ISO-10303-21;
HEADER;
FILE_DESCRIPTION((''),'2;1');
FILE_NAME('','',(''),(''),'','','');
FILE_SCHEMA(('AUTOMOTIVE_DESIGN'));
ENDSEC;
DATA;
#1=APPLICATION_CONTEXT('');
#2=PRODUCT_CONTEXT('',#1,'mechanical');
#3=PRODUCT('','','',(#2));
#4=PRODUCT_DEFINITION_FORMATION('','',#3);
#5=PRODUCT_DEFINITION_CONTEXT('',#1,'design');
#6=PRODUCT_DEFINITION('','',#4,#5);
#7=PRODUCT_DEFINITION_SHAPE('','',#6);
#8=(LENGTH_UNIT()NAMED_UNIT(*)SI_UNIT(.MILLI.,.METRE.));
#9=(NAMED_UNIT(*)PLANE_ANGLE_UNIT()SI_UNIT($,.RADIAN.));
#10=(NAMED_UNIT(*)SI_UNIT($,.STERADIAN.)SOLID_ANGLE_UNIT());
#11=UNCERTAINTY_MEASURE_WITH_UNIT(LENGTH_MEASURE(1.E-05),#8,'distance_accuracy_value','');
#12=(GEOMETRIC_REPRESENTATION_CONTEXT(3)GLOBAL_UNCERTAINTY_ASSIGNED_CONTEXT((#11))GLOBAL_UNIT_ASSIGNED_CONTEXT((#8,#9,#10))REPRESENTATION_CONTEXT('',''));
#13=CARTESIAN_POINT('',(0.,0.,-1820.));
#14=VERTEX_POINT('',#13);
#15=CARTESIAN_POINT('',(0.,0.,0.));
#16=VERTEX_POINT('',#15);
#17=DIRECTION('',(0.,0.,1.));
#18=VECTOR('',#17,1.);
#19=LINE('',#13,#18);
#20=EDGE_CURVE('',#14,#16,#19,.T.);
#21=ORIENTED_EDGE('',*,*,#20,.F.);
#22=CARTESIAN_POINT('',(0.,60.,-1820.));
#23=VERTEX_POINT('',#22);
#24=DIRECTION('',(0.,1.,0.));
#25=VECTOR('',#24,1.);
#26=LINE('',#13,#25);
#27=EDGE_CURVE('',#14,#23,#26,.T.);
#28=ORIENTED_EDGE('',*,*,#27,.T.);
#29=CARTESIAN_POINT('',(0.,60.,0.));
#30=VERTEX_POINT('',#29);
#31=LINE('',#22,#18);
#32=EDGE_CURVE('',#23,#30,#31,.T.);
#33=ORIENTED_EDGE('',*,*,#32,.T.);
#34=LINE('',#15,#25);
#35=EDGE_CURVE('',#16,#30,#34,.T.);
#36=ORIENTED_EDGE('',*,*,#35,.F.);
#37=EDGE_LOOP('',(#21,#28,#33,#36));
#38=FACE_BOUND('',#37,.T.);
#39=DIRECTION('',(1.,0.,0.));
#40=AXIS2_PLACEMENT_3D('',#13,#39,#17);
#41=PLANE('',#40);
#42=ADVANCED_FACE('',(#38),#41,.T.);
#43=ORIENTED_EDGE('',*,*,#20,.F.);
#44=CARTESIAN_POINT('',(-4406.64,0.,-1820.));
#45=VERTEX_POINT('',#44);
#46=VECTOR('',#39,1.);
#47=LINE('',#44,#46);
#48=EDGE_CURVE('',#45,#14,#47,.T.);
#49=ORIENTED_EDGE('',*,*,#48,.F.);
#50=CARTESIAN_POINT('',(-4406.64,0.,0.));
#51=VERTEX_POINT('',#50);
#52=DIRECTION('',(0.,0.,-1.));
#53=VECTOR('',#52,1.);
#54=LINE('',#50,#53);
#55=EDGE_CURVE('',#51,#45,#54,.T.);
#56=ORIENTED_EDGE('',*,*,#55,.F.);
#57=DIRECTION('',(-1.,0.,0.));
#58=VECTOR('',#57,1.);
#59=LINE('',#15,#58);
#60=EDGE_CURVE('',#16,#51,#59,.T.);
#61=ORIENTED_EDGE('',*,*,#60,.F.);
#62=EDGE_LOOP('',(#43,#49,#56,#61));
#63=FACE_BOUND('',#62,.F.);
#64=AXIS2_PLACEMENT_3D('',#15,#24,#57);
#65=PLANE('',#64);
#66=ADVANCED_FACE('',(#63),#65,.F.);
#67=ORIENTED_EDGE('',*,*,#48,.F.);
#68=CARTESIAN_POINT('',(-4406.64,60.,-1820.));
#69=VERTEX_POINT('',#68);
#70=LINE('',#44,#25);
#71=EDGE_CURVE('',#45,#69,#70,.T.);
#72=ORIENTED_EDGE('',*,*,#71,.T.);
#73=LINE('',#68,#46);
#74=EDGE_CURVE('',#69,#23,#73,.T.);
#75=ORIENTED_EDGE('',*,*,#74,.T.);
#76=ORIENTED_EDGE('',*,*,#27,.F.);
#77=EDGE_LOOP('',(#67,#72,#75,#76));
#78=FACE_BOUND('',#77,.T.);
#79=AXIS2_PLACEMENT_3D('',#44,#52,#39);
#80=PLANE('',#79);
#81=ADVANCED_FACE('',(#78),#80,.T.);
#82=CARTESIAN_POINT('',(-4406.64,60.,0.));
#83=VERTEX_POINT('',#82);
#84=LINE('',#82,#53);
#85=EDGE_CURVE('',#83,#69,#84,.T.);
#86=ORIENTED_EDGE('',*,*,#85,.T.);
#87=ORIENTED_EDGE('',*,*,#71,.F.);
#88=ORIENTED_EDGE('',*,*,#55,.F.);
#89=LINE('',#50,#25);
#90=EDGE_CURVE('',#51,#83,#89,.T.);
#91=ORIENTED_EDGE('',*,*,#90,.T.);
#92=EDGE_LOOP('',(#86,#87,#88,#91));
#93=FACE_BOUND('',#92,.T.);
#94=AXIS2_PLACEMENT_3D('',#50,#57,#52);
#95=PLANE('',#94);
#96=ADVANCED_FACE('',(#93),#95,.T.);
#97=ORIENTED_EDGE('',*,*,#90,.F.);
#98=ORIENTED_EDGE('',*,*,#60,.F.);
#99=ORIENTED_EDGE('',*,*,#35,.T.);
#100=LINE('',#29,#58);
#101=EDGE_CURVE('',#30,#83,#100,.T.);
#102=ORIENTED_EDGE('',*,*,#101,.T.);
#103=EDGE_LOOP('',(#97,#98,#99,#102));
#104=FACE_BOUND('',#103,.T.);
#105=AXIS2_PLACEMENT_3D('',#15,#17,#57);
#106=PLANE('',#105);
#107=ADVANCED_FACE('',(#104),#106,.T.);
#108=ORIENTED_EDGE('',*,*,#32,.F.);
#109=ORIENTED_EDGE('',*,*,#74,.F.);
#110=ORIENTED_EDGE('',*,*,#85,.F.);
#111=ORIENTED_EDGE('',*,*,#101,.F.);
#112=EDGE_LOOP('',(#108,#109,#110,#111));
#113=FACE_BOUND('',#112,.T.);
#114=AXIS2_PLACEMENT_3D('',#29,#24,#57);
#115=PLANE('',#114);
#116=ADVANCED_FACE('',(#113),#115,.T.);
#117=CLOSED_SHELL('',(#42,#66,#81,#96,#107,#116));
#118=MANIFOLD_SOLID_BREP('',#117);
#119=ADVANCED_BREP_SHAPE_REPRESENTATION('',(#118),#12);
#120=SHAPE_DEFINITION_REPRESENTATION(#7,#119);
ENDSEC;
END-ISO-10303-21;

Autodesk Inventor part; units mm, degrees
ref_plane "YZ Plane" through (0, 0, 0) normal (1, 0, 0) x (0, 1, 0)
ref_plane "XZ Plane" through (0, 0, 0) normal (0, 1, 0) x (-1, 0, 0)
ref_plane "XY Plane" through (0, 0, 0) normal (0, 0, 1) x (1, 0, 0)
sketch "Sketch1" plane through (0, 0, 0) normal (0, 1, 0) x (-1, 0, 0)
  line L0 (0, 0) -> (4406.64, 0)
  line L1 (4406.64, 0) -> (4406.64, -1820)
  line L2 (4406.64, -1820) -> (0, -1820)
  line L3 (0, -1820) -> (0, 0)
  dimension "d0" = 4406.64
  dimension "d1" = 1820
extrude "Extrusion1" add sketch "Sketch1" along normal blind 60
properties part number "top gusset" material "Stainless Steel, Austenitic"
